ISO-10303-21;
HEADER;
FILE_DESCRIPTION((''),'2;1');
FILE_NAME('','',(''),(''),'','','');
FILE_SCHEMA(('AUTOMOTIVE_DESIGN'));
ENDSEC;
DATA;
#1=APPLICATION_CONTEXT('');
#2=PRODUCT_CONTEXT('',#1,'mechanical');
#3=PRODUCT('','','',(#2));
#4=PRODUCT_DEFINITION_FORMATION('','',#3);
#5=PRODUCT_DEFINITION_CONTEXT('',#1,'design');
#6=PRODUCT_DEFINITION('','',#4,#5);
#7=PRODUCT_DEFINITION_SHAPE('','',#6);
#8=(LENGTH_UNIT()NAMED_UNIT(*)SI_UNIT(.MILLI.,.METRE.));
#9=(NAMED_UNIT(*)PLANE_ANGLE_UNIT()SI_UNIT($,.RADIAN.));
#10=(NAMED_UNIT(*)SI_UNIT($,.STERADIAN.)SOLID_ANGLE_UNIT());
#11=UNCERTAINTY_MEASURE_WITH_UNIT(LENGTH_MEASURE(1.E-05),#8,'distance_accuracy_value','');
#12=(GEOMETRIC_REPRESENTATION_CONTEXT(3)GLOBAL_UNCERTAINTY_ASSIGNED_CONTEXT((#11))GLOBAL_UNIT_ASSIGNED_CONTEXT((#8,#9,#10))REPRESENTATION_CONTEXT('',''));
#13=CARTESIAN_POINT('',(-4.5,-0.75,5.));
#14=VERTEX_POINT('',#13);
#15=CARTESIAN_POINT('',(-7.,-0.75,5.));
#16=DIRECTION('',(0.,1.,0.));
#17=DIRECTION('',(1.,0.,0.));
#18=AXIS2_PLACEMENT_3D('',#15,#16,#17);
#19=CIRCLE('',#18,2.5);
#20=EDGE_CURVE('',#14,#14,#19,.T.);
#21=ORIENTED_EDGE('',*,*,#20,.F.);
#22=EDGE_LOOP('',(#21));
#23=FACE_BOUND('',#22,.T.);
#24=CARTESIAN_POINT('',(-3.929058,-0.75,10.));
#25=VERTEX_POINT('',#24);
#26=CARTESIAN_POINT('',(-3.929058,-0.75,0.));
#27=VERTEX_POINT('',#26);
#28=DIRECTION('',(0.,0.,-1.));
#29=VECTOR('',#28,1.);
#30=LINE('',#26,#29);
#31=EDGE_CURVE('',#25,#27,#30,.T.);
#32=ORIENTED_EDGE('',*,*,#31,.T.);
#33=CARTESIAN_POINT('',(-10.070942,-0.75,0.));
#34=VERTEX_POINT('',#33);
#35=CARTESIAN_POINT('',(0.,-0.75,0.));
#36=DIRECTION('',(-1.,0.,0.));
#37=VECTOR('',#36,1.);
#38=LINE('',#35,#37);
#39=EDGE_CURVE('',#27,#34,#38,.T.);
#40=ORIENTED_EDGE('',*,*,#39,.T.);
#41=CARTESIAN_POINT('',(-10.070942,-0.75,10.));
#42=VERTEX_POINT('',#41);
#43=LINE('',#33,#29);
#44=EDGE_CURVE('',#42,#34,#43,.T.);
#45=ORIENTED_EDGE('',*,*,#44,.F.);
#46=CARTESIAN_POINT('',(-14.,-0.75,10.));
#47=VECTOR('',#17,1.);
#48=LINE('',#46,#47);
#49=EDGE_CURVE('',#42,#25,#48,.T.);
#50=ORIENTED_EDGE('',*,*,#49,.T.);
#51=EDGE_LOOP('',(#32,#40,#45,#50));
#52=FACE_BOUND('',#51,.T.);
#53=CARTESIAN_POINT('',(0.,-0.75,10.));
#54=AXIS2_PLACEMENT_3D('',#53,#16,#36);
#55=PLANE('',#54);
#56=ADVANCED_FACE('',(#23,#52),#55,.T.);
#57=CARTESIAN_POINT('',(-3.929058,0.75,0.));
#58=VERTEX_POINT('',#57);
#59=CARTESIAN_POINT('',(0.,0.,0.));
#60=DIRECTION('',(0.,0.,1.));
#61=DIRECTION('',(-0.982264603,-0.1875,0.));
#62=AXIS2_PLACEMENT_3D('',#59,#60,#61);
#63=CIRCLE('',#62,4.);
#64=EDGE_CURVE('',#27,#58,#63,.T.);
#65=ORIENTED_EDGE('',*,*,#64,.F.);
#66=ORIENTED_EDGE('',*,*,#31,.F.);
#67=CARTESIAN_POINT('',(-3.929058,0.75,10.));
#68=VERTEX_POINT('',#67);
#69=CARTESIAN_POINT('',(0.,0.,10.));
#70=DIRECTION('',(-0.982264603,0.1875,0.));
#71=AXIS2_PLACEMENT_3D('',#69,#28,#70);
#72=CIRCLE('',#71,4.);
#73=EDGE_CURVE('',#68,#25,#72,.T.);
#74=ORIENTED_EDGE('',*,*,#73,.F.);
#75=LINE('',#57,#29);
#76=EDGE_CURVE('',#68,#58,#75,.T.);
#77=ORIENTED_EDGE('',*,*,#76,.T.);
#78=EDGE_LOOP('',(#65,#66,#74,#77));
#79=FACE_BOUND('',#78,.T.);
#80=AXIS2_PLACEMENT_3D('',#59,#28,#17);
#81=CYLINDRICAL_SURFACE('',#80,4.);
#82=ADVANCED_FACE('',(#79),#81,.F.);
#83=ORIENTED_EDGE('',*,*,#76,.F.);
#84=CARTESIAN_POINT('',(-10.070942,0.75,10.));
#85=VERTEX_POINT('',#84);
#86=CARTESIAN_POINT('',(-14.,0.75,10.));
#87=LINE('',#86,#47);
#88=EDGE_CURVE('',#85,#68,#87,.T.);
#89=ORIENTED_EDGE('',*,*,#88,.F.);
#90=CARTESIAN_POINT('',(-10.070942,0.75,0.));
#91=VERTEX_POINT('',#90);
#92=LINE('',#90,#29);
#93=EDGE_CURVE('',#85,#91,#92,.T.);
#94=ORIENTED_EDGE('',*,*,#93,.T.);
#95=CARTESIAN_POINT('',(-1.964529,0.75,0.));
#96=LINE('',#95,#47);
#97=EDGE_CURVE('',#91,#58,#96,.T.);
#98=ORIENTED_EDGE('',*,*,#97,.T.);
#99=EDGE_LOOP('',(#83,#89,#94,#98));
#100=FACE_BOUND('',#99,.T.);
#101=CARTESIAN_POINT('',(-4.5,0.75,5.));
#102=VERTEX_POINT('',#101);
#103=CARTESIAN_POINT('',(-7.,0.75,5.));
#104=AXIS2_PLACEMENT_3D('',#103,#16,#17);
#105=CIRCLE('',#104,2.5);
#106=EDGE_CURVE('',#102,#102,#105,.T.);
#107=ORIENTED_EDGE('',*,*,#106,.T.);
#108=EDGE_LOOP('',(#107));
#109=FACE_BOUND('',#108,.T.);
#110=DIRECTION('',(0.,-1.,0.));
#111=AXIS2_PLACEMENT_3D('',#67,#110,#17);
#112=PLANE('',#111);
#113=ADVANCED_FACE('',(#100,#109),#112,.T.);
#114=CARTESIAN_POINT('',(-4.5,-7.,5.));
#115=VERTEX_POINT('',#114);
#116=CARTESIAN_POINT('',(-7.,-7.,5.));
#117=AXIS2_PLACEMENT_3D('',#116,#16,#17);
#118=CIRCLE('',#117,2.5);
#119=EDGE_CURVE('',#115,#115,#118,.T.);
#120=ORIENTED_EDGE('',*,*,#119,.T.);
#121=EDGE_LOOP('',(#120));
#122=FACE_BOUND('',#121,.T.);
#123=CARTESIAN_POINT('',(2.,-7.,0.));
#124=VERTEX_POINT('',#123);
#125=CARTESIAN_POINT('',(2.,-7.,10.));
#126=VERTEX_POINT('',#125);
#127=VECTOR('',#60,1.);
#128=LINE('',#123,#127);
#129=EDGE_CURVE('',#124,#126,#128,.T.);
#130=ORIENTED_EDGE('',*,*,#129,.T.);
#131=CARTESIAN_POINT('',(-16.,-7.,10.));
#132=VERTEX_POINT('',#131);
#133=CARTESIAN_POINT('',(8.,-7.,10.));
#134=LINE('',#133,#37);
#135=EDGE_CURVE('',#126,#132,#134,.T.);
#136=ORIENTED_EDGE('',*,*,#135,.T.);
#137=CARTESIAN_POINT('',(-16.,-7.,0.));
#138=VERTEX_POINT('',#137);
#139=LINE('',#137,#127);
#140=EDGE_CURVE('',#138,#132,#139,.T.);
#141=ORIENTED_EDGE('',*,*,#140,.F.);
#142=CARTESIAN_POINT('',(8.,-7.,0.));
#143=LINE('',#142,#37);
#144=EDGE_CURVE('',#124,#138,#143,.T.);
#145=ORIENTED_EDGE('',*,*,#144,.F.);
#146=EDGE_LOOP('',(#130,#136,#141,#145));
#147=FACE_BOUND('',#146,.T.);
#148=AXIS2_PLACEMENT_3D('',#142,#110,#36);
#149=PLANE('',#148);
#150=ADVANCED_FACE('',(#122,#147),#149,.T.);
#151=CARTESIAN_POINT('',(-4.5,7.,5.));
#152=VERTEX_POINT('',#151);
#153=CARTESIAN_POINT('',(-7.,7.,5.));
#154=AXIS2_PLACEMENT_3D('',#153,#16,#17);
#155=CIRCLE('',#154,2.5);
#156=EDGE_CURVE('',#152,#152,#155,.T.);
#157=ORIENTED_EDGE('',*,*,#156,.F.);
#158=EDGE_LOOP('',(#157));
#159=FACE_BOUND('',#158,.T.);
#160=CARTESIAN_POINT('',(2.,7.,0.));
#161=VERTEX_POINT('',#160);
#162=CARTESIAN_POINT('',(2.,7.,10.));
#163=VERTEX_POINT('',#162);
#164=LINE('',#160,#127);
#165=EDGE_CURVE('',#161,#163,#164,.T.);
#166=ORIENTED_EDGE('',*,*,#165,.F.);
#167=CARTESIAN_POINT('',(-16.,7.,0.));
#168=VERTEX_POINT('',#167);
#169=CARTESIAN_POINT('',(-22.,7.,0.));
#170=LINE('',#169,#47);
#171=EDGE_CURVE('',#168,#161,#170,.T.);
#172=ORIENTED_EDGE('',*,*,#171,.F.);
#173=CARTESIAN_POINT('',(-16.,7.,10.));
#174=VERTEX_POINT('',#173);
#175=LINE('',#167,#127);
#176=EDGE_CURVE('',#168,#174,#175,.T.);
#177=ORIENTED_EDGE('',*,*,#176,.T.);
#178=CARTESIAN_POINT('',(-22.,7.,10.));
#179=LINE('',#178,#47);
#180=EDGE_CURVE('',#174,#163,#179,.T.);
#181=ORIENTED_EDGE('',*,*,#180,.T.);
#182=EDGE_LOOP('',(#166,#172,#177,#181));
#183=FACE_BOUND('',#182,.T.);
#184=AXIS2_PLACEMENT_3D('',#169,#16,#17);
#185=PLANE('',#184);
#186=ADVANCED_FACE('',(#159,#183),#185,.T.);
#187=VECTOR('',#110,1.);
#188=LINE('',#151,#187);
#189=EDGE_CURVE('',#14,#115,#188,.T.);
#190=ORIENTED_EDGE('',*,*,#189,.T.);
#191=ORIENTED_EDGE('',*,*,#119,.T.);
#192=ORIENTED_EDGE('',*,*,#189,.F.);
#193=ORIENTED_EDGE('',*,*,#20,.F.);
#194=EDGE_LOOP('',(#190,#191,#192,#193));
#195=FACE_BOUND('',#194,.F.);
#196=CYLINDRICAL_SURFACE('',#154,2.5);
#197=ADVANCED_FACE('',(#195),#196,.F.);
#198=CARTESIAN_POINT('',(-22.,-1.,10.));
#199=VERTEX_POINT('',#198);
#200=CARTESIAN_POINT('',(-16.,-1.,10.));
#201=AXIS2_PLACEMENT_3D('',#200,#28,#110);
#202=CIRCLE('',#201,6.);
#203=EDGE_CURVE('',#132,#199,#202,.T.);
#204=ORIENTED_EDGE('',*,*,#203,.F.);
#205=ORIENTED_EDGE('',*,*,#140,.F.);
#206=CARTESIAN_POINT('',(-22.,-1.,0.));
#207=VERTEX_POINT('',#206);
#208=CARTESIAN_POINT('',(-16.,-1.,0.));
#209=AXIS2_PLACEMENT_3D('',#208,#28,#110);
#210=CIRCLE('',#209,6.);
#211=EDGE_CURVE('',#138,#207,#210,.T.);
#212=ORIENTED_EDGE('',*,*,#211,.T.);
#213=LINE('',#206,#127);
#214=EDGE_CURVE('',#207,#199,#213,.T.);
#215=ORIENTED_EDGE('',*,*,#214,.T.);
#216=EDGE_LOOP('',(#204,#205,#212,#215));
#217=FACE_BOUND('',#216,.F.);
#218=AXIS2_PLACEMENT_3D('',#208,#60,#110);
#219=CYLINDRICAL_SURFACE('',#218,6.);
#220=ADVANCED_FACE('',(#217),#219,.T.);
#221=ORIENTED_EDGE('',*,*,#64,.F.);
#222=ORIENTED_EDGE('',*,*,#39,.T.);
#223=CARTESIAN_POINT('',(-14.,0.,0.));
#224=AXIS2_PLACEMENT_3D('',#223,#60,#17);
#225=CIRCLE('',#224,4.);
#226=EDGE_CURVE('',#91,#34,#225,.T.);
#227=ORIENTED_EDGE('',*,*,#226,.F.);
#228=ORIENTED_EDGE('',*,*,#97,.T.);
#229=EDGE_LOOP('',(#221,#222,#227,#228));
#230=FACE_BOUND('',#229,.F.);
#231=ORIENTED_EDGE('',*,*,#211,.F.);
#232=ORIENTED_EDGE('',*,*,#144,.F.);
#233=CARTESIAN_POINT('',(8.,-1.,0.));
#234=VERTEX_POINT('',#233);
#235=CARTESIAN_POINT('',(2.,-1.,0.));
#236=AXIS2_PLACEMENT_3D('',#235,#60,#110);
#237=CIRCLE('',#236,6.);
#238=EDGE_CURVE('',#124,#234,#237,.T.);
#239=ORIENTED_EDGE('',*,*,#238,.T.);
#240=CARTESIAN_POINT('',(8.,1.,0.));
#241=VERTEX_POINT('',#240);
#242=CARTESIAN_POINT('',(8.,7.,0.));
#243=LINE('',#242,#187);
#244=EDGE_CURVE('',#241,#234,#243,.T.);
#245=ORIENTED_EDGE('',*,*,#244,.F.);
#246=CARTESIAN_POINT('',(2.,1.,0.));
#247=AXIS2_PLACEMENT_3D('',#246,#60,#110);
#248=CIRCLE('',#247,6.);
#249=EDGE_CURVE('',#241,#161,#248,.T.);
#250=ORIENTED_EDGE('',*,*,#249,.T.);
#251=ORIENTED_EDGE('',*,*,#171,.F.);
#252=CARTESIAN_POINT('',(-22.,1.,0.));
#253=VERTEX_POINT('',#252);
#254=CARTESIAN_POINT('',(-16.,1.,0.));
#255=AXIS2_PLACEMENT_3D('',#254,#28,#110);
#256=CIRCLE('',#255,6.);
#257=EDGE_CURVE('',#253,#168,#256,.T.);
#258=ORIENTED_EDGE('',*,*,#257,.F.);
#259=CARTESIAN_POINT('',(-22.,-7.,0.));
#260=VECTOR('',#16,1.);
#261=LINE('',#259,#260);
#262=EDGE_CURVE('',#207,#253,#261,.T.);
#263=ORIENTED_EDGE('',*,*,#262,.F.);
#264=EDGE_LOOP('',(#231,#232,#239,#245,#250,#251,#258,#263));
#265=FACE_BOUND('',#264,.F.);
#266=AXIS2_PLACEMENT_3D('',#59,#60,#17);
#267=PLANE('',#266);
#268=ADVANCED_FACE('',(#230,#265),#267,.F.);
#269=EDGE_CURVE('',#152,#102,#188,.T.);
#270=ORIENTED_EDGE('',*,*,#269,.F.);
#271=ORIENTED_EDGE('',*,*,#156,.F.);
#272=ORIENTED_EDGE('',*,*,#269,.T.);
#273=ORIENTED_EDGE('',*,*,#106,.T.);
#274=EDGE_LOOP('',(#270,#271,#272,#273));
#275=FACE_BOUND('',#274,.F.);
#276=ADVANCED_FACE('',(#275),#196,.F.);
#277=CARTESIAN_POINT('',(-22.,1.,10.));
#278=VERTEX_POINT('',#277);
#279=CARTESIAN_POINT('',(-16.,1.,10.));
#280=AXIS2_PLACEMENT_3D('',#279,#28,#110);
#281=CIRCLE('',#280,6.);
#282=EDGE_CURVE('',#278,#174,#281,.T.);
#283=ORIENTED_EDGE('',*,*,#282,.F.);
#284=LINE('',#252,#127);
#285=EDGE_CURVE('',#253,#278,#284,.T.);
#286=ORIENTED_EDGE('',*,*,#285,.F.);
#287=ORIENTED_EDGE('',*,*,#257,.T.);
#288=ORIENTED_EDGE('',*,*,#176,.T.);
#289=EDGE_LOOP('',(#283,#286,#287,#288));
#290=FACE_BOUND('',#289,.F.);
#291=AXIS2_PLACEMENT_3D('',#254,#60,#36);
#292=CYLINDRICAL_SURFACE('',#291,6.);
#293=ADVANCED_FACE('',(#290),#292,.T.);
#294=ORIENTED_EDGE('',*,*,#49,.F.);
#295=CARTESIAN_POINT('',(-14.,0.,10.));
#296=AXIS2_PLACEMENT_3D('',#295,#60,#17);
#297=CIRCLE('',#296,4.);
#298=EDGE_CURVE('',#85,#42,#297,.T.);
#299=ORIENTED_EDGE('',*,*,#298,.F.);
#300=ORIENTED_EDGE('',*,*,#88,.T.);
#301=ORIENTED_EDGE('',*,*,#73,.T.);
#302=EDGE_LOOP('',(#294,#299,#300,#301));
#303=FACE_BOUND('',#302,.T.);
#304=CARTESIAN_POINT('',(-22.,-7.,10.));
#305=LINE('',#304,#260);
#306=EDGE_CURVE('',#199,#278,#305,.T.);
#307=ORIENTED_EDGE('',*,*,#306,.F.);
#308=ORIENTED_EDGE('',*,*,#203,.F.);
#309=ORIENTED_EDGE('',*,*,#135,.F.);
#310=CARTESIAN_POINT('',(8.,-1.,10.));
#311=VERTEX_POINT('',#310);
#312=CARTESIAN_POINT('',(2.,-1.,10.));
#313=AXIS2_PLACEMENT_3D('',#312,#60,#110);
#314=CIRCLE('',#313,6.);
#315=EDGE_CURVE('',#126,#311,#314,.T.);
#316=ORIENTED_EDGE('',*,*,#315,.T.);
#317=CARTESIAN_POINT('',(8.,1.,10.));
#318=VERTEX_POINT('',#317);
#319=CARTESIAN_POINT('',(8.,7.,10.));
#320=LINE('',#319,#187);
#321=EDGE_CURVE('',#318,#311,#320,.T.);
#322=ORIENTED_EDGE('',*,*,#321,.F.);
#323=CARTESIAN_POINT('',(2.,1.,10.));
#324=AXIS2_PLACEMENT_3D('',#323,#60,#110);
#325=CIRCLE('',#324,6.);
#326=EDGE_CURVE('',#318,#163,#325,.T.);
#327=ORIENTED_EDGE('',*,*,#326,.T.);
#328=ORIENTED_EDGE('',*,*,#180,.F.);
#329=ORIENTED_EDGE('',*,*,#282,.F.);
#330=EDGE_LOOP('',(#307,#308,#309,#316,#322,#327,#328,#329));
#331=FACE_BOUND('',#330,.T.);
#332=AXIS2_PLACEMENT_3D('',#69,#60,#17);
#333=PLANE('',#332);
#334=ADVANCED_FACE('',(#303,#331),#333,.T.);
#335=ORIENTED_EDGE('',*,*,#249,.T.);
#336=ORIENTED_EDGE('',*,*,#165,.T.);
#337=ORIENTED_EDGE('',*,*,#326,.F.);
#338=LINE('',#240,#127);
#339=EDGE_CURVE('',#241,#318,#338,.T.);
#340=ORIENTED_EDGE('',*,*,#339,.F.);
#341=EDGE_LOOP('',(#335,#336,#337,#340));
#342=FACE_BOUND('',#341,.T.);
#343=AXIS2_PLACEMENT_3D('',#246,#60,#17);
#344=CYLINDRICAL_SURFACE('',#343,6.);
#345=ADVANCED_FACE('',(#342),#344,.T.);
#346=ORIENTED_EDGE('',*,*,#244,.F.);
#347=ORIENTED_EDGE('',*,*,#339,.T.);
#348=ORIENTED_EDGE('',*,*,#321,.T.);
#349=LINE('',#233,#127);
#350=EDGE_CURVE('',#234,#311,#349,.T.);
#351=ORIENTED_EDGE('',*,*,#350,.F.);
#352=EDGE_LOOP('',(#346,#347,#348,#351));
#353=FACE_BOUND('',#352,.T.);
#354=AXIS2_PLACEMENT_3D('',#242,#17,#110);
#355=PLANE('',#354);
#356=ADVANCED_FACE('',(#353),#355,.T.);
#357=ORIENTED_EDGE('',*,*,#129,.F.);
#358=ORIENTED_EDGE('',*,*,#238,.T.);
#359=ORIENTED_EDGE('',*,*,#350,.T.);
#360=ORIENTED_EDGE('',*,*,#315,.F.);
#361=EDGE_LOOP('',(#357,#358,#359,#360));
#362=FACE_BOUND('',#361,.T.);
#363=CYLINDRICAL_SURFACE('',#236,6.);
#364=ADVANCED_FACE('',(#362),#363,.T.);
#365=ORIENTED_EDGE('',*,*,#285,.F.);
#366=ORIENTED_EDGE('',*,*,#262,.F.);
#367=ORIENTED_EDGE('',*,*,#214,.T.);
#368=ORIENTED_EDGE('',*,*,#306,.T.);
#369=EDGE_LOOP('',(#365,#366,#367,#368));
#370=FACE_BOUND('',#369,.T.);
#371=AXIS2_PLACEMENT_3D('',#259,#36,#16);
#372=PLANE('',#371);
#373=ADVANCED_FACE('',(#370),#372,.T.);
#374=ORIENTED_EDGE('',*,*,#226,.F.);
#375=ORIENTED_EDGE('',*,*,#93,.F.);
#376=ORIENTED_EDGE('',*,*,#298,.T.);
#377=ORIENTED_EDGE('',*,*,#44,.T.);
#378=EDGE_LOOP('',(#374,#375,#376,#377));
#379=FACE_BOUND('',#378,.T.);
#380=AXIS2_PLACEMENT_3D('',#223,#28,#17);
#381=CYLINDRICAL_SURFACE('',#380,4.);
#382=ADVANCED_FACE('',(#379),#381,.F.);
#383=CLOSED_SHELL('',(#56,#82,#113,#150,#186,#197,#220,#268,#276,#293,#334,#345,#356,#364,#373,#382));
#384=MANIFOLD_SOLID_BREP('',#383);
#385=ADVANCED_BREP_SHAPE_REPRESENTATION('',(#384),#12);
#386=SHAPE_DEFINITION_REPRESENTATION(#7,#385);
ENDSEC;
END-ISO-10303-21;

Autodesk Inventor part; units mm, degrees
ref_plane "YZ Plane" through (0, 0, 0) normal (1, 0, 0) x (0, 1, 0)
ref_plane "XZ Plane" through (0, 0, 0) normal (0, 1, 0) x (-1, 0, 0)
ref_plane "XY Plane" through (0, 0, 0) normal (0, 0, 1) x (1, 0, 0)
sketch "Sketch1" plane through (0, 0, 0) normal (0, 0, 1) x (1, 0, 0)
  line L0 (0, 0) -> (-14, 0) construction
  circle A0 centre (-14, 0) radius 4
  circle A1 centre (0, 0) radius 4
  line L1 (8, -7) -> (-22, -7)
  line L2 (-22, -7) -> (-22, 7)
  line L3 (-22, 7) -> (8, 7)
  line L4 (8, 7) -> (8, -7)
  line L5 (8, -7) -> (-22, 7) construction
  line L6 (-22, -7) -> (8, 7) construction
  point P0 (-7, 0)
  dimension "d0" = 8
  dimension "d1" = 14
  dimension "d2" = 8
  dimension "d3" = 14
  dimension "d13" = 30
extrude "Extrusion1" add sketch "Sketch1" along normal blind 10
sketch "Sketch2" plane through (-22, 7, 0) normal (0, 1, 0) x (1, 0, 0)
  line L0 (0, 0) -> (30, 0) projected
  line L1 (30, -10) -> (0, -10) projected
  line L2 (15, 0) -> (15, -10) construction
  circle A0 centre (15, -5) radius 2.5
  point P0 (22, 0)
  dimension "d6" = 5
extrude "Extrusion2" cut sketch "Sketch2" against normal through all
fillet "Fillet1" radius 6 4 edges at (8, 7, 5) (-22, 7, 5) (-22, -7, 5) (8, -7, 5)
sketch "Sketch3" plane through (0, 0, 10) normal (0, 0, 1) x (1, 0, 0)
  line L0 (-16, -7) -> (2, -7) projected
  circle A0 centre (0, 0) radius 4 projected
  circle A1 centre (-14, 0) radius 4 projected
  line L1 (-14, 0) -> (0, 0) construction
  line L2 (0, -0.75) -> (-14, -0.75)
  line L3 (-14, -0.75) -> (-14, 0.75)
  line L4 (-14, 0.75) -> (0, 0.75)
  line L5 (0, 0.75) -> (0, -0.75)
  line L6 (0, -0.75) -> (-14, 0.75) construction
  line L7 (-14, -0.75) -> (0, 0.75) construction
  point P0 (-7, 0)
  dimension "d10" = 1.5
extrude "Extrusion3" cut sketch "Sketch3" against normal through all contours L4 L5 L2 A0 | A0 L2 A1 L4 | A1 L2 L3 L4 picked at (-1.3307, -0.0838) picked at (-12.6667, 0)
properties part number "crank web"
